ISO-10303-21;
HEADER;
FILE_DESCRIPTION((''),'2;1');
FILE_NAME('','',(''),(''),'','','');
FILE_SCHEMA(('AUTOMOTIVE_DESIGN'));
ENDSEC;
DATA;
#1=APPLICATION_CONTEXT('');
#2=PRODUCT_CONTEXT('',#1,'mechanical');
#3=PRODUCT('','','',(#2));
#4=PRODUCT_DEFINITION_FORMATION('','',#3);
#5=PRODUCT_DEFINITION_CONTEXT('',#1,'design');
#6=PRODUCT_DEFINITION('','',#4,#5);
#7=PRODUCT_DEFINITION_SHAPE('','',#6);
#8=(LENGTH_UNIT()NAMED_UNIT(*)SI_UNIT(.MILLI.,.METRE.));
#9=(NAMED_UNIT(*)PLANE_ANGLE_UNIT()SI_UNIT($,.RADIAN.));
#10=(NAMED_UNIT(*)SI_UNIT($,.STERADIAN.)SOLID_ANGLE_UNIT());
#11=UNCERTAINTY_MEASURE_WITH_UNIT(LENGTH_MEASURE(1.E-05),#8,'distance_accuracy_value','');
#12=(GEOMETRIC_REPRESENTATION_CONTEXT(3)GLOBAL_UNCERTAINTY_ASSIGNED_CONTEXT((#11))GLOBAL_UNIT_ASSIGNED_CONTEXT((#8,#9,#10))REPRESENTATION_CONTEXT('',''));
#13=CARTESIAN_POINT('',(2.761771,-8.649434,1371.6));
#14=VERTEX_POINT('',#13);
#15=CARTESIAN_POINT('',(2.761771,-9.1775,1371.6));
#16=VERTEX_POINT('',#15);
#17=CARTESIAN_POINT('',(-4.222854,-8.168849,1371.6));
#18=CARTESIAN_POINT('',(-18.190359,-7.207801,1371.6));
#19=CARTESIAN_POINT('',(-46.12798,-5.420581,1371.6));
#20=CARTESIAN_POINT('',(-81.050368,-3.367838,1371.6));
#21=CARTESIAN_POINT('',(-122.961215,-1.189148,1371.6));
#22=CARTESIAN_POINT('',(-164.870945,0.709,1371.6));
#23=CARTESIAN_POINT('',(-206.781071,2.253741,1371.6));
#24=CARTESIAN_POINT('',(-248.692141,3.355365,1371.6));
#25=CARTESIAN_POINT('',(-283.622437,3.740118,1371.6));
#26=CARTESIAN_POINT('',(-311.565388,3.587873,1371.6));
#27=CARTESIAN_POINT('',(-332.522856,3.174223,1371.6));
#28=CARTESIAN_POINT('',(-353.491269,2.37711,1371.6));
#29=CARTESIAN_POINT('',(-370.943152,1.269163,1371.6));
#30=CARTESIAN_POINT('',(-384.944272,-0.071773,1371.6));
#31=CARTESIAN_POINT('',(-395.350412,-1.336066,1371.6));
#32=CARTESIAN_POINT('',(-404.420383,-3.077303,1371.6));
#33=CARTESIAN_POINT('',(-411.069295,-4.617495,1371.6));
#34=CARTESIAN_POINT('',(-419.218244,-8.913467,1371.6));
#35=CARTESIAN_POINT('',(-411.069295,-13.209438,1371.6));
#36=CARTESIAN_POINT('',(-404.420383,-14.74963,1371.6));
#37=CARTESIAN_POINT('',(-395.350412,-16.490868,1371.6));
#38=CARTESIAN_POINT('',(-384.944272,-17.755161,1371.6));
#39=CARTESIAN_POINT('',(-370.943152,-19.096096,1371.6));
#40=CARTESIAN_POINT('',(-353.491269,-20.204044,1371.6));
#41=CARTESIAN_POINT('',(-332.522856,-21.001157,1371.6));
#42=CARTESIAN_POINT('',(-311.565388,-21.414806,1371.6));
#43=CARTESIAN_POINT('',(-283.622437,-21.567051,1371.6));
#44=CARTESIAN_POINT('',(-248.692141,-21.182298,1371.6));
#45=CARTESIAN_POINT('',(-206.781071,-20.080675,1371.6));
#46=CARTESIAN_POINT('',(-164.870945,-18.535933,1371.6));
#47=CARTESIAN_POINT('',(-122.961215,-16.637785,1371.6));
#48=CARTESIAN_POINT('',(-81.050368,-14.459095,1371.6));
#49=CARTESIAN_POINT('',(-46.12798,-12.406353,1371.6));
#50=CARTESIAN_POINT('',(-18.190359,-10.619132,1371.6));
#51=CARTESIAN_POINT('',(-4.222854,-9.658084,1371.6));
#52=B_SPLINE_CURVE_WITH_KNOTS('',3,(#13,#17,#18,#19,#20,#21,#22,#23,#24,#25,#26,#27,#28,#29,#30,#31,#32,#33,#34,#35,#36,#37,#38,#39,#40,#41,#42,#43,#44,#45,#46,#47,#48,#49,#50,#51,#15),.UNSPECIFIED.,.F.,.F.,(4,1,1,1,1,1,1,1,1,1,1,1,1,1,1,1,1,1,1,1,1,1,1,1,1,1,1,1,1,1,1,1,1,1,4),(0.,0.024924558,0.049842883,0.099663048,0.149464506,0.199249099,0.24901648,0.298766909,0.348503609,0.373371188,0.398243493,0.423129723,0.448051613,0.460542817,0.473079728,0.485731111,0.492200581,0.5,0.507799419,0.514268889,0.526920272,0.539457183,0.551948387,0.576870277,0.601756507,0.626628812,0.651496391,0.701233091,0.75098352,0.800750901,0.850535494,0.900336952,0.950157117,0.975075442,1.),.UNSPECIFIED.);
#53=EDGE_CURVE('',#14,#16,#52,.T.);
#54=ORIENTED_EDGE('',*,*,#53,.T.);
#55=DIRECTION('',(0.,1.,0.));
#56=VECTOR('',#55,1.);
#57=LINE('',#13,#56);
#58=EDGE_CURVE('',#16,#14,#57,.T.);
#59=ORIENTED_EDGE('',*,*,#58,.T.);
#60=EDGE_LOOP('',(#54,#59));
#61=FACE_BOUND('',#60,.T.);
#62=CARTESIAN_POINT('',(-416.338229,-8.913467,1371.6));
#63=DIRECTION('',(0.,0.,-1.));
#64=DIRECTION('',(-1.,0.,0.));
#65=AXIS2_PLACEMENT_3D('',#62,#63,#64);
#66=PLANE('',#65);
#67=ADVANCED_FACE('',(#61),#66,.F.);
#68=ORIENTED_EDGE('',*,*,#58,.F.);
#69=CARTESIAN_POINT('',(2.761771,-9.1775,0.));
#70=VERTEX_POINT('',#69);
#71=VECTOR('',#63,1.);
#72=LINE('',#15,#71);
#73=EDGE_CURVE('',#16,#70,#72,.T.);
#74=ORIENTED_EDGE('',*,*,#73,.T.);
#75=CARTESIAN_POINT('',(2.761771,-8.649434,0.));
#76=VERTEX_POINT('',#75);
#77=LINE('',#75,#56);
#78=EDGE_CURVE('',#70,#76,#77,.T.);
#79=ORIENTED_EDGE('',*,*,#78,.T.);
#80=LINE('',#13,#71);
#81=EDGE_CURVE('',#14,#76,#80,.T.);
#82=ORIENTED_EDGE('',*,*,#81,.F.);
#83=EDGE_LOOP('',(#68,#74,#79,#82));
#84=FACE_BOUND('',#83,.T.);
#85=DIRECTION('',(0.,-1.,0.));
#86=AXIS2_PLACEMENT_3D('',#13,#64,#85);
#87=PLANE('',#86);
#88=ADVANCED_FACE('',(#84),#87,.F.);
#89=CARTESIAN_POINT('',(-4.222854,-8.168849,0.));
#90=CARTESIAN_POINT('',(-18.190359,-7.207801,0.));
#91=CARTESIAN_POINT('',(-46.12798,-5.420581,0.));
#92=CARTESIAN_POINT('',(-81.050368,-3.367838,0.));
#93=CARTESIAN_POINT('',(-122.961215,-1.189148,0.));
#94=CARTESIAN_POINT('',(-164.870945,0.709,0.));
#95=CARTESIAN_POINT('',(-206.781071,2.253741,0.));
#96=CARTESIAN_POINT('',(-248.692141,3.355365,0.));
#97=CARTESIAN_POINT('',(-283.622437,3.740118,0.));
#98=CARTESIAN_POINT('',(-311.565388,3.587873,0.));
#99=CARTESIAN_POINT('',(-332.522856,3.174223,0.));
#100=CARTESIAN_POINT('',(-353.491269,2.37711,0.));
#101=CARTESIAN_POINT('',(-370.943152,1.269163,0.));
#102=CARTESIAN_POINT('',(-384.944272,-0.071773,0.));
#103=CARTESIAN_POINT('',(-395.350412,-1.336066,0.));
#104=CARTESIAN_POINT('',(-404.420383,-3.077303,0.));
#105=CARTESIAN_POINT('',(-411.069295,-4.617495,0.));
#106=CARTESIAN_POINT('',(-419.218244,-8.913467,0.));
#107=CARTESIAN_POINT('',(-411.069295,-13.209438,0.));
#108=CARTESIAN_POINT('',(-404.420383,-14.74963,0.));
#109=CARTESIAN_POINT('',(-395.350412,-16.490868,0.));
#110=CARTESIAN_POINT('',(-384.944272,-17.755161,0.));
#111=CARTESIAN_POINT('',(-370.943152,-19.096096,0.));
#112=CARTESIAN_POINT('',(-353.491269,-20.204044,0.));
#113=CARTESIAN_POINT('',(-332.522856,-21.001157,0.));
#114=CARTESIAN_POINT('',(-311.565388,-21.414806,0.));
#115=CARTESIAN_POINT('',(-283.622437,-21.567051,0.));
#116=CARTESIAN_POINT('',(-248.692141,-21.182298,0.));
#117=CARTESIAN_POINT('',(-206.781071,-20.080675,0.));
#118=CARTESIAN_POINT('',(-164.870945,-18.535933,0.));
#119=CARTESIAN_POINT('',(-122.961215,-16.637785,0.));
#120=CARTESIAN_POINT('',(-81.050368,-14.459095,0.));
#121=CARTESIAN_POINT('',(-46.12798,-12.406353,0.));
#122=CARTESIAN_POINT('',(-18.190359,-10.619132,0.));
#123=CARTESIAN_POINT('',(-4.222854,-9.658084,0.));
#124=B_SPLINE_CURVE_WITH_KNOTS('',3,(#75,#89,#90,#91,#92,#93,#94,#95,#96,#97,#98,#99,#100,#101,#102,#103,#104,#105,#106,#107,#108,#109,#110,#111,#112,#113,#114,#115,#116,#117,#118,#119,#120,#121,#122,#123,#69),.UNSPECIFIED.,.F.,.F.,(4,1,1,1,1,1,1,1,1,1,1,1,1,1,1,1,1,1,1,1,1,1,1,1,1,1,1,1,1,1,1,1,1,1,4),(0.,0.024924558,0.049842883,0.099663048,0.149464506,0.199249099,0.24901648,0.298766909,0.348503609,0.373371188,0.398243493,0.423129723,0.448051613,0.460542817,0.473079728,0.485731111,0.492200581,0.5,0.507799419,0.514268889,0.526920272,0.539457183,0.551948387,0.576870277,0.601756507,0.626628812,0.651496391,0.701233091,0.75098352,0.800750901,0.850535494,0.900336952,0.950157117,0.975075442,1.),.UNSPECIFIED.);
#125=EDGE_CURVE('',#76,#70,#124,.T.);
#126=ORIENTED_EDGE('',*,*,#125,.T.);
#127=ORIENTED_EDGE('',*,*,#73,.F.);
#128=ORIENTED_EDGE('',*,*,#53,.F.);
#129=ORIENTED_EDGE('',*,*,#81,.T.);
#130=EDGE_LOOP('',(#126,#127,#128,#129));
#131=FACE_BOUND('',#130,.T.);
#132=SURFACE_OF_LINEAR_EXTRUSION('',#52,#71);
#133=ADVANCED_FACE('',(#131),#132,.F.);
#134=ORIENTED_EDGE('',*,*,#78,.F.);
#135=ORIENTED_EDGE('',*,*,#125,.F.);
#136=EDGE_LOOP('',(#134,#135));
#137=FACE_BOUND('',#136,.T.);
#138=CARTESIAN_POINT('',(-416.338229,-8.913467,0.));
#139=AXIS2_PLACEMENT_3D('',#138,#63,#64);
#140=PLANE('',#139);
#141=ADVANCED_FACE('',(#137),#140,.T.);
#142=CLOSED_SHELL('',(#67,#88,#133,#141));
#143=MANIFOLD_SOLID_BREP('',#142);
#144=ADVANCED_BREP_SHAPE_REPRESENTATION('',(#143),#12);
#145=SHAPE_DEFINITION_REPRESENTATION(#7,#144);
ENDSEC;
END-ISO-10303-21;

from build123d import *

# Parameters (mm, degrees)
BOSS_EXTRUDE1_DEPTH = 1371.6


with BuildPart() as part:
    # Sketch1 → Boss-Extrude1 (new body)
    with BuildSketch(Plane.XY):
        with BuildLine():
            Line((2.7617713, -8.649433762), (2.7617713, -9.177499762))
            add(Edge.make_bspline(
                [(2.7617713, -8.649433762), (-4.22285447, -8.168849499), (-18.190359469, -7.207801146), (-46.127980394, -5.420580511), (-81.050368078, -3.367838164), (-122.961215045, -1.189148193), (-164.870944955, 0.708999894), (-206.781071478, 2.253741405), (-248.69214085, 3.355364774), (-283.622437249, 3.740117536), (-311.565387623, 3.587872898), (-332.52285648, 3.17422323), (-353.491269358, 2.377110475), (-370.943152347, 1.269162711), (-384.944272294, -0.071772847), (-395.350412273, -1.336065644), (-404.420382518, -3.077303305), (-411.069295145, -4.617495195), (-419.218244094, -8.913466762), (-411.069295145, -13.209438329), (-404.420382518, -14.74963022), (-395.350412273, -16.490867881), (-384.944272294, -17.755160677), (-370.943152347, -19.096096236), (-353.491269358, -20.204043999), (-332.52285648, -21.001156754), (-311.565387623, -21.414806423), (-283.622437249, -21.567051061), (-248.69214085, -21.182298299), (-206.781071478, -20.080674929), (-164.870944955, -18.535933418), (-122.961215045, -16.637785331), (-81.050368078, -14.45909536), (-46.127980394, -12.406353014), (-18.190359469, -10.619132378), (-4.22285447, -9.658084025), (2.7617713, -9.177499762)],
                knots=[0, 0, 0, 0, 0.024924558, 0.049842883, 0.099663048, 0.149464506, 0.199249099, 0.24901648, 0.298766909, 0.348503609, 0.373371188, 0.398243493, 0.423129723, 0.448051613, 0.460542817, 0.473079728, 0.485731111, 0.492200581, 0.5, 0.507799419, 0.514268889, 0.526920272, 0.539457183, 0.551948387, 0.576870277, 0.601756507, 0.626628812, 0.651496391, 0.701233091, 0.75098352, 0.800750901, 0.850535494, 0.900336952, 0.950157117, 0.975075442, 1, 1, 1, 1], degree=3))
        make_face()
    extrude(amount=BOSS_EXTRUDE1_DEPTH)


solid = part.part
